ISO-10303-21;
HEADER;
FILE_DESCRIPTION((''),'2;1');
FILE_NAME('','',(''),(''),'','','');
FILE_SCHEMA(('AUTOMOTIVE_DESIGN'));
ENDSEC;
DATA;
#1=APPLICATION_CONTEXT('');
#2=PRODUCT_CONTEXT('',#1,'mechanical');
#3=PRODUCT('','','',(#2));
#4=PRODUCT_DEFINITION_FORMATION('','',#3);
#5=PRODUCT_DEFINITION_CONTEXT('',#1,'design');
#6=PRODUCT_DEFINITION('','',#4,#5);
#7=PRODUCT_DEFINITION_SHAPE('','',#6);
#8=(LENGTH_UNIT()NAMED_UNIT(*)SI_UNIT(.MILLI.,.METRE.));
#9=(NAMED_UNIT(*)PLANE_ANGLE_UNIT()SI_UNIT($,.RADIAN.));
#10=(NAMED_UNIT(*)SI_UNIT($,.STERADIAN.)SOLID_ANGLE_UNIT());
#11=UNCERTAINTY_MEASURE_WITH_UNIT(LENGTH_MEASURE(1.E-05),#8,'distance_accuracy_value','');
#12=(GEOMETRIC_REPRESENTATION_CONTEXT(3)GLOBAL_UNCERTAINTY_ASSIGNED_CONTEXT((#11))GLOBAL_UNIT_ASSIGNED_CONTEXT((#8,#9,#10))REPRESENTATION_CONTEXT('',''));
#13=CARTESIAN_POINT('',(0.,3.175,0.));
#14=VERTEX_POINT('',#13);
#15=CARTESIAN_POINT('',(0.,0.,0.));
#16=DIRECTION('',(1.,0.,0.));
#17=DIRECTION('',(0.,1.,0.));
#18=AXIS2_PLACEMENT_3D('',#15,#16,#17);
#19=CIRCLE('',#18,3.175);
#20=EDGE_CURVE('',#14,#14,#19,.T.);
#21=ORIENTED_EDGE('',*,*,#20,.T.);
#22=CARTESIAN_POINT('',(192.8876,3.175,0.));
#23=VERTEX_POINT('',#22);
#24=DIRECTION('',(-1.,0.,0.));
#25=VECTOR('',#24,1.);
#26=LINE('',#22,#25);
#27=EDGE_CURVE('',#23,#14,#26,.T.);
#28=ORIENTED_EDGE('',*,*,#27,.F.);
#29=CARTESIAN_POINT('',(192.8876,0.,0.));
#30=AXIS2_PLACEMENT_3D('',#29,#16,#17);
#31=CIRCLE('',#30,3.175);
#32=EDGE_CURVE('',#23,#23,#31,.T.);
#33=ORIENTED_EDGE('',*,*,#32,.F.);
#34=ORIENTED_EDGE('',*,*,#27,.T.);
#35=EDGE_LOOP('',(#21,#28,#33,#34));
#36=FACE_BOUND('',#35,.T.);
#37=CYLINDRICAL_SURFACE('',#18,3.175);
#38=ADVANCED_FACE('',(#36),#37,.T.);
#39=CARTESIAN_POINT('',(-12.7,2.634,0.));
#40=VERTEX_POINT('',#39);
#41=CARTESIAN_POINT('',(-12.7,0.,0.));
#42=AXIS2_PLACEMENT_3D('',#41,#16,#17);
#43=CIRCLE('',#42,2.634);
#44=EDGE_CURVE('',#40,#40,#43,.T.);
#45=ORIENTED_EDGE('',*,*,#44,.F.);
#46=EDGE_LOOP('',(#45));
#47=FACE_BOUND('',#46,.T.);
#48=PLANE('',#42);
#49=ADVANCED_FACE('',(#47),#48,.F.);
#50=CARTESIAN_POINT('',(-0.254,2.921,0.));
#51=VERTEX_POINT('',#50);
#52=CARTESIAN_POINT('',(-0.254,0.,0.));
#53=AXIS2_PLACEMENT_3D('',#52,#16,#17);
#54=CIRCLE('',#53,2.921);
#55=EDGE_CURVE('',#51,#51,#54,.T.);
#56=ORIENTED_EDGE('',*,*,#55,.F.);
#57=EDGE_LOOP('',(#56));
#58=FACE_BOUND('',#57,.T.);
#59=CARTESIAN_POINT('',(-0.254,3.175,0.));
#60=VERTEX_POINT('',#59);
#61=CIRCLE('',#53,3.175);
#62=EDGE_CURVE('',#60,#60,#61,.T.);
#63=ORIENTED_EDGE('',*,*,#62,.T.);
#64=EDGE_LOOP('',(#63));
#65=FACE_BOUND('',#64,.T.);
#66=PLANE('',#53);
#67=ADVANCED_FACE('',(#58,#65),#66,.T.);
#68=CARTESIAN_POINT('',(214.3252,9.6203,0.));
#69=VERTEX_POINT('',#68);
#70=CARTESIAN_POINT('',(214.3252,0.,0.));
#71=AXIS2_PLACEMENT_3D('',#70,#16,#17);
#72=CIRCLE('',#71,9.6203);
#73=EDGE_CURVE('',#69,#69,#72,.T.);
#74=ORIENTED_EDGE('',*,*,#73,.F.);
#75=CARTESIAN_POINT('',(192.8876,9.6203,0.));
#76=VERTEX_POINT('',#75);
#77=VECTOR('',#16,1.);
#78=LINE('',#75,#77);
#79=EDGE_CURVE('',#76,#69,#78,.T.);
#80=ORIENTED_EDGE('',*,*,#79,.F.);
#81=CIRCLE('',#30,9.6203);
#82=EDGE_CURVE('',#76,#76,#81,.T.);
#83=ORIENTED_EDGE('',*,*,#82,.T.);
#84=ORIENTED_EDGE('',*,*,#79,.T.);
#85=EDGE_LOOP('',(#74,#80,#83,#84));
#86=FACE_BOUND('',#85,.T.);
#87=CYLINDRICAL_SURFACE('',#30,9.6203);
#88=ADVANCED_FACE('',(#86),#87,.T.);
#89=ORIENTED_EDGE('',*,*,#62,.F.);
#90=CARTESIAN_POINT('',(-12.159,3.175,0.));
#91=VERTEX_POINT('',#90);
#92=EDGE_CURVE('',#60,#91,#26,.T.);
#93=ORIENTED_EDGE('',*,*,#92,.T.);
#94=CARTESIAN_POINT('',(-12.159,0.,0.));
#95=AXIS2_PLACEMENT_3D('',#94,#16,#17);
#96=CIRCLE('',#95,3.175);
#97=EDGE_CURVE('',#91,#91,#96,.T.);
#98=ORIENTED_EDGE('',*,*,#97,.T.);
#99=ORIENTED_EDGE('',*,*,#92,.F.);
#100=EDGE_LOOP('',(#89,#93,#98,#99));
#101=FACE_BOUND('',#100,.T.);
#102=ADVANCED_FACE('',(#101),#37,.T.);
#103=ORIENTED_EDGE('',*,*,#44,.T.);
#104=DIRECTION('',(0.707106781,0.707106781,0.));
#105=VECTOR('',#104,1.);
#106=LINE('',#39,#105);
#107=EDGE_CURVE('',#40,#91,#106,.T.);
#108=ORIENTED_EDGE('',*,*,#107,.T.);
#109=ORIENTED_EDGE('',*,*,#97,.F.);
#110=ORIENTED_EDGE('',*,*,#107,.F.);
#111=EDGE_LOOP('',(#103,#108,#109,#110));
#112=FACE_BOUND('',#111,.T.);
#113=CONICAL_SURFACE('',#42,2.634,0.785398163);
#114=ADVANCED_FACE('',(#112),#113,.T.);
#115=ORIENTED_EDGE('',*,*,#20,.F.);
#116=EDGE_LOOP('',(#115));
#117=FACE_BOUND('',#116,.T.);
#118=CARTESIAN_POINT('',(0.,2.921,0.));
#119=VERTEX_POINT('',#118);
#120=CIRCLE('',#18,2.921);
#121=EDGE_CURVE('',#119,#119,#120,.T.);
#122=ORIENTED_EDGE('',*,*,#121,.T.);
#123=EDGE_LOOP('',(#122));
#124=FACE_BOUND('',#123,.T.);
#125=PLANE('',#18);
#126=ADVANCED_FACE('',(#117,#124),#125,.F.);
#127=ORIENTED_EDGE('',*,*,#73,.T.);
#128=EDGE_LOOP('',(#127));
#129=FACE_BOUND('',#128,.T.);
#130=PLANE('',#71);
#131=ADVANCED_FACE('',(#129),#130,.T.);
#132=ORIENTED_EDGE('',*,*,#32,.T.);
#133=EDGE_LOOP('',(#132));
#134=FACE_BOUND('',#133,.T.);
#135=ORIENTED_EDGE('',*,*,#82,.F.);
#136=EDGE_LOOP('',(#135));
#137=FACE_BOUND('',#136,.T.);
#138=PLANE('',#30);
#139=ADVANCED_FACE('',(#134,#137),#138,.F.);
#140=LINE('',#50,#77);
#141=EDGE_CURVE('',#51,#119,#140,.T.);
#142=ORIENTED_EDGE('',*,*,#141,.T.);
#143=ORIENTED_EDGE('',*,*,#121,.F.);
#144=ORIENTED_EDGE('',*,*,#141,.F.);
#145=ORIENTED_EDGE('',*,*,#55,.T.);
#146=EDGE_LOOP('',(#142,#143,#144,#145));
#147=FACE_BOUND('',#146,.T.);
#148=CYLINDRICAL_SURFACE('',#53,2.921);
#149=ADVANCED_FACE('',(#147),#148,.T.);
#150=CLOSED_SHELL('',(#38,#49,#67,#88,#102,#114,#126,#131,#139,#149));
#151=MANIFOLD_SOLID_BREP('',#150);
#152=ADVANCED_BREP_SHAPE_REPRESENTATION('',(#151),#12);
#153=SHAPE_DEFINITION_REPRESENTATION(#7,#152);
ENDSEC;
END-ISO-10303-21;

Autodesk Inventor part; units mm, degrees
sketch "Sketch_1" plane through (0, 0, 0) normal (0, 0, 1) x (1, 0, 0)
  line L0 (214.3252, 0) -> (0, 0)
  line L1 (0, 0) -> (0, 3.175)
  line L2 (0, 3.175) -> (192.8876, 3.175)
  line L3 (192.8876, 3.175) -> (192.8876, 9.6203)
  line L4 (192.8876, 9.6203) -> (214.3252, 9.6203)
  line L5 (214.3252, 9.6203) -> (214.3252, 0)
  line L6 (214.3252, 0) -> (0, 0)
revolve "Revolution1" add sketch "Sketch_1" angle 360 about axis through (214.3252, 0, 0) along (1, 0, 0)
sketch "Sketch_3" plane through (0, 0, 0) normal (0, 0, 1) x (1, 0, 0)
  line L0 (0, 0) -> (-12.7, 0)
  line L1 (-12.7, 0) -> (-12.7, 2.634)
  line L2 (-12.7, 2.634) -> (-12.159, 3.175)
  line L3 (-12.159, 3.175) -> (0, 3.175)
  line L4 (0, 3.175) -> (0, 0)
  line L5 (0, 0) -> (-12.7, 0)
revolve "Revolution2" add sketch "Sketch_3" angle 360 about axis through (0, 0, 0) along (1, 0, 0)
thread "Thread1" size "1/4-28 UNF" class "2A" standard "ANSI Unified Screw Threads" length 12.159
sketch "Sketch_30" plane through (0, 0, 0) normal (0, 0, 1) x (1, 0, 0)
  line L0 (0, 0) -> (-0.254, 0)
  line L1 (-0.254, 2.921) -> (0, 2.921)
  line L2 (0, 2.921) -> (0, 3.429)
  line L3 (0, 3.429) -> (-0.254, 3.429)
  line L4 (-0.254, 3.429) -> (-0.254, 2.921)
revolve "Revolution3" cut sketch "Sketch_30" angle 360 about axis through (0, 0, 0) along (1, 0, 0)
ref_plane "dia1_XY" through (0, 3.175, 0) normal (1, 0, 0) x (0, 0, -1)
ref_plane "dia1_YZ" through (0, 3.175, 0) normal (0, 0, -1) x (0, 1, 0)
ref_plane "dia1_ZX" through (0, 3.175, 0) normal (0, 1, 0) x (1, 0, 0)
ref_plane "dia12_XY" through (0, 0, 10.9537) normal (1, 0, 0) x (0, 0, -1)
ref_plane "dia12_YZ" through (0, 0, 10.9537) normal (0, 0, -1) x (0, 1, 0)
ref_plane "dia12_ZX" through (0, 0, 10.9537) normal (0, 1, 0) x (1, 0, 0)
ref_plane "dia2_XY" through (0, -3.175, 0) normal (1, 0, 0) x (0, 0, -1)
ref_plane "dia2_YZ" through (0, -3.175, 0) normal (0, 0, -1) x (0, 1, 0)
ref_plane "dia2_ZX" through (0, -3.175, 0) normal (0, 1, 0) x (1, 0, 0)
ref_plane "dia22_XY" through (0, 0, -10.9537) normal (1, 0, 0) x (0, 0, -1)
ref_plane "dia22_YZ" through (0, 0, -10.9537) normal (0, 0, -1) x (0, 1, 0)
ref_plane "dia22_ZX" through (0, 0, -10.9537) normal (0, 1, 0) x (1, 0, 0)
ref_plane "rl1_XY" through (-12.7, 0, 0) normal (1, 0, 0) x (0, 0, -1)
ref_plane "rl1_YZ" through (-12.7, 0, 0) normal (0, 0, -1) x (0, 1, 0)
ref_plane "rl1_ZX" through (-12.7, 0, 0) normal (0, 1, 0) x (1, 0, 0)
ref_plane "rl2_XY" through (0, 0, 0) normal (1, 0, 0) x (0, 0, -1)
ref_plane "rl2_YZ" through (0, 0, 0) normal (0, 0, -1) x (0, 1, 0)
ref_plane "rl2_ZX" through (0, 0, 0) normal (0, 1, 0) x (1, 0, 0)
ref_plane "rod_cp_XY" through (0, 0, 0) normal (1, 0, 0) x (0, 0, -1)
ref_plane "rod_cp_YZ" through (0, 0, 0) normal (0, 0, -1) x (0, 1, 0)
ref_plane "rod_cp_ZX" through (0, 0, 0) normal (0, 1, 0) x (1, 0, 0)
ref_plane "thd1_XY" through (-12.7, 3.175, 0) normal (1, 0, 0) x (0, 0, -1)
ref_plane "thd1_YZ" through (-12.7, 3.175, 0) normal (0, 0, -1) x (0, 1, 0)
ref_plane "thd1_ZX" through (-12.7, 3.175, 0) normal (0, 1, 0) x (1, 0, 0)
ref_plane "thd2_XY" through (-12.7, -3.175, 0) normal (1, 0, 0) x (0, 0, -1)
ref_plane "thd2_YZ" through (-12.7, -3.175, 0) normal (0, 0, -1) x (0, 1, 0)
ref_plane "thd2_ZX" through (-12.7, -3.175, 0) normal (0, 1, 0) x (1, 0, 0)
ref_plane "to_rod_clevis_XY" through (-16.764, 0, 0) normal (1, 0, 0) x (0, 0, -1)
ref_plane "to_rod_clevis_YZ" through (-16.764, 0, 0) normal (0, 0, -1) x (0, 1, 0)
ref_plane "to_rod_clevis_ZX" through (-16.764, 0, 0) normal (0, 1, 0) x (1, 0, 0)
properties part number "C-046-DP0000_rod"
